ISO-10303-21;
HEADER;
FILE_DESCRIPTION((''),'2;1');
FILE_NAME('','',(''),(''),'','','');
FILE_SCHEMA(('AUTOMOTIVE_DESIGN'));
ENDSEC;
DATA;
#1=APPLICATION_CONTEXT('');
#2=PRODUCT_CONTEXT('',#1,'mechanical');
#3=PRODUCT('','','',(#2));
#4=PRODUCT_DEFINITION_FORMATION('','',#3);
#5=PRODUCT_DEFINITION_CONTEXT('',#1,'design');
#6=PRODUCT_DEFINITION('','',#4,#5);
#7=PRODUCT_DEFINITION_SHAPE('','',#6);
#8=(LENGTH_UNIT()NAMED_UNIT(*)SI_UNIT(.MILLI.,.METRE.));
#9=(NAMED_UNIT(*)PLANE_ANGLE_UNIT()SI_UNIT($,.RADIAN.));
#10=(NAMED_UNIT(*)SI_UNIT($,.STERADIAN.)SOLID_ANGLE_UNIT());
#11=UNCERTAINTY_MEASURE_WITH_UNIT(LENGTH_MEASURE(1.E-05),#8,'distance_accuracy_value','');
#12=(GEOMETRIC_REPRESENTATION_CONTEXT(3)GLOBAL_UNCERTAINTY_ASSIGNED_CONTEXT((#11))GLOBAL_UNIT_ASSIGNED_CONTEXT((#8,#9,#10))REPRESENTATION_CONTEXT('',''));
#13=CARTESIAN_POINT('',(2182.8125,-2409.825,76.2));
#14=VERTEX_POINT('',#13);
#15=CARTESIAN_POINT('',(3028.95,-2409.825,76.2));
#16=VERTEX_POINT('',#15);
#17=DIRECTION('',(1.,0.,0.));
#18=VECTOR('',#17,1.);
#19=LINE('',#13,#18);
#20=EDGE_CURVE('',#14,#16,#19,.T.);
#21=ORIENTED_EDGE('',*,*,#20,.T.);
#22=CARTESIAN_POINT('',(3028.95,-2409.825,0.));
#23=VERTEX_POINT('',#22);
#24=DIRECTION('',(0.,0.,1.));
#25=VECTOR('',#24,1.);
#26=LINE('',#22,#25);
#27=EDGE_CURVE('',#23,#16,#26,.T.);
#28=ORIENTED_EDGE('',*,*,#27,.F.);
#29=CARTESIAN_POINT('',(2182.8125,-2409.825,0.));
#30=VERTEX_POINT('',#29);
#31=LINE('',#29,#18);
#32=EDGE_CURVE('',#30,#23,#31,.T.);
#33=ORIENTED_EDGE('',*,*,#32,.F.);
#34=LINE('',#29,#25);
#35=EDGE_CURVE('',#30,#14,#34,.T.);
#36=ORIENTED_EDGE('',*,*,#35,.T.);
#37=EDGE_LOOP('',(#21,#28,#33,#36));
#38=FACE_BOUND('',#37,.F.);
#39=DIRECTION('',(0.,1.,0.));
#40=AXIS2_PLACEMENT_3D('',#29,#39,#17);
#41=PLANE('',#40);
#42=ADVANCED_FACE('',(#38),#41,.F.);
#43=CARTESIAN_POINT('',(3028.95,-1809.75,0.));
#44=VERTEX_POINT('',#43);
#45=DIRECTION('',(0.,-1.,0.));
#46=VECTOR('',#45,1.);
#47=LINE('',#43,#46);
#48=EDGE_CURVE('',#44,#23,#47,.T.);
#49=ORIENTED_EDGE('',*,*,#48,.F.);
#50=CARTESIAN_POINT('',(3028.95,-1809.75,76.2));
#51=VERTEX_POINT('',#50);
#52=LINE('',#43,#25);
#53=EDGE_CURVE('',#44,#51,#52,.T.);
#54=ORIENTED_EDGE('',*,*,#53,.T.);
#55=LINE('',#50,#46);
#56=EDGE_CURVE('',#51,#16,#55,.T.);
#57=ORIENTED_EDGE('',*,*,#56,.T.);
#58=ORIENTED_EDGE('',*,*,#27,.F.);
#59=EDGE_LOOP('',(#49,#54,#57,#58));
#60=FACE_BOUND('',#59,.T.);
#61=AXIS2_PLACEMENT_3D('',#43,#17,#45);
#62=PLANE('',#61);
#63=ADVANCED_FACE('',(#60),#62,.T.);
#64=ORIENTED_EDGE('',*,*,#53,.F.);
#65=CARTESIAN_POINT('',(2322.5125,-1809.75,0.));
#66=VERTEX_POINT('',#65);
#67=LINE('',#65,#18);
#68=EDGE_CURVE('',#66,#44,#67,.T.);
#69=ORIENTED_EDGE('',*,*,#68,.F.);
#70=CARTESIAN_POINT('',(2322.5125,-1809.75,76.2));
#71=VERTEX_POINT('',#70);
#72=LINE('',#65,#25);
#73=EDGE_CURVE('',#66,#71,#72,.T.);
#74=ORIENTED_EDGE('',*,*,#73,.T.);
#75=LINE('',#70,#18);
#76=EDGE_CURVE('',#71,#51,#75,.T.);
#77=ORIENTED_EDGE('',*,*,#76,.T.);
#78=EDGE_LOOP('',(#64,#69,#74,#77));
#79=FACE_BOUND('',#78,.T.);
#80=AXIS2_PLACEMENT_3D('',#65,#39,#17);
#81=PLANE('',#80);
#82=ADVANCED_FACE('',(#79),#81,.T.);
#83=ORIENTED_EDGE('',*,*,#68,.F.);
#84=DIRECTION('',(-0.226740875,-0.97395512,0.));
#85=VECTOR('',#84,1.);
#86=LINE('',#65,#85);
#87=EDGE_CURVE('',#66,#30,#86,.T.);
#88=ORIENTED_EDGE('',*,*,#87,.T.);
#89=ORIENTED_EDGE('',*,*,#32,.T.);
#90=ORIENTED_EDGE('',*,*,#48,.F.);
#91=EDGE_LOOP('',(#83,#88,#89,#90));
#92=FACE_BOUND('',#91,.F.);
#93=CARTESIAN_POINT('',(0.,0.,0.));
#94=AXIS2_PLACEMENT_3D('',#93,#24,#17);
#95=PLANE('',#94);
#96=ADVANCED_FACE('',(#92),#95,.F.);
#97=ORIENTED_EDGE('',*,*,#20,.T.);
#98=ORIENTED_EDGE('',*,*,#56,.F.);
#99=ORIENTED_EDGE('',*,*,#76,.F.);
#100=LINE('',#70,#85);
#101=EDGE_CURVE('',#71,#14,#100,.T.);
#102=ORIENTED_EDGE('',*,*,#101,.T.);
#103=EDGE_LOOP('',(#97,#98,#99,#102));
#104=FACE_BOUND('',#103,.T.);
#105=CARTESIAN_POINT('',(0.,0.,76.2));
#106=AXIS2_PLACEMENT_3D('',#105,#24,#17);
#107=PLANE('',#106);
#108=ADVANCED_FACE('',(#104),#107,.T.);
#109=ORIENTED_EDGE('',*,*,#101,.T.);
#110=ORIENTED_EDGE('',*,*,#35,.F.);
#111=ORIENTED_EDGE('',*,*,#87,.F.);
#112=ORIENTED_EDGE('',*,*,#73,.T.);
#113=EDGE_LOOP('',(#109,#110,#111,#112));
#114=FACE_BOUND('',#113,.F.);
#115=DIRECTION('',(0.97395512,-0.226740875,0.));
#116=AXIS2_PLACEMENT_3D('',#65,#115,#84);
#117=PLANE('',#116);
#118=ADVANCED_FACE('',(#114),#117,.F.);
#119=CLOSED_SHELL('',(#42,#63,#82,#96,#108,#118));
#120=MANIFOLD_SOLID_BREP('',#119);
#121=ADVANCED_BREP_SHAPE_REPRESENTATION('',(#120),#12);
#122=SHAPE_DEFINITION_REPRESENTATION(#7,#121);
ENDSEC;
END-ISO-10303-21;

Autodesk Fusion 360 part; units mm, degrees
sketch "Sketch1" plane through (0, 0, 0) normal (0, 0, 1) x (1, 0, 0)
  line L0 (0, 0) -> (0, -600.075)
  line L1 (0, -600.075) -> (744.5375, -600.075)
  line L2 (0, 0) -> (947.7375, 0)
  line L3 (947.7375, 0) -> (744.5375, -600.075)
  line L4 (1049.3375, -600.075) -> (2105.025, -600.075)
  line L5 (1049.3375, -600.075) -> (1252.5375, 0)
  line L6 (2105.025, -600.075) -> (1698.625, 0)
  line L7 (1252.5375, 0) -> (1698.625, 0)
  line L8 (2003.425, 0) -> (3025.775, 0)
  line L9 (2409.825, -600.075) -> (3025.775, -600.075)
  line L10 (3025.775, 0) -> (3025.775, -600.075)
  line L11 (2409.825, -600.075) -> (2003.425, 0)
  line L12 (0, -904.875) -> (0, -1504.95)
  line L13 (0, -1504.95) -> (376.2375, -1504.95)
  line L14 (376.2375, -1504.95) -> (528.6375, -904.875)
  line L15 (0, -904.875) -> (528.6375, -904.875)
  line L16 (579.4375, -1504.95) -> (1636.7125, -1504.95)
  line L17 (731.8375, -904.875) -> (1420.8125, -904.875)
  line L18 (579.4375, -1504.95) -> (731.8375, -904.875)
  line L19 (1420.8125, -904.875) -> (1636.7125, -1504.95)
  line L20 (1839.9125, -1504.95) -> (2160.5875, -1504.95)
  line L21 (1624.0125, -904.875) -> (2401.8875, -904.875)
  line L22 (1624.0125, -904.875) -> (1839.9125, -1504.95)
  line L23 (2160.5875, -1504.95) -> (2401.8875, -904.875)
  line L24 (2363.7875, -1504.95) -> (3019.425, -1504.95)
  line L25 (2605.0875, -904.875) -> (3019.425, -904.875)
  line L26 (3019.425, -904.875) -> (3019.425, -1504.95)
  line L27 (2605.0875, -904.875) -> (2363.7875, -1504.95)
  line L28 (0, -1809.75) -> (0, -2409.825)
  line L29 (0, -1809.75) -> (909.6375, -1809.75)
  line L30 (0, -2409.825) -> (795.3375, -2409.825)
  line L31 (795.3375, -2409.825) -> (909.6375, -1809.75)
  line L32 (1214.4375, -1809.75) -> (2017.7125, -1809.75)
  line L33 (1100.1375, -2409.825) -> (1878.0125, -2409.825)
  line L34 (1100.1375, -2409.825) -> (1214.4375, -1809.75)
  line L35 (1878.0125, -2409.825) -> (2017.7125, -1809.75)
  line L36 (2182.8125, -2409.825) -> (3028.95, -2409.825)
  line L37 (2322.5125, -1809.75) -> (3028.95, -1809.75)
  line L38 (2322.5125, -1809.75) -> (2182.8125, -2409.825)
  line L39 (3028.95, -1809.75) -> (3028.95, -2409.825)
  line L40 (0, -2714.625) -> (0, -3314.7)
  line L41 (0, -2714.625) -> (465.1375, -2714.625)
  line L42 (465.1375, -2714.625) -> (465.1375, -3314.7)
  line L43 (465.1375, -3314.7) -> (0, -3314.7)
  line L44 (668.3375, -3314.7) -> (1268.4125, -3314.7)
  line L45 (668.3375, -3314.7) -> (668.3375, -2714.625)
  line L46 (668.3375, -2714.625) -> (1458.9125, -2714.625)
  line L47 (1458.9125, -2714.625) -> (1268.4125, -3314.7)
  line L48 (1471.6125, -3314.7) -> (2236.7875, -3314.7)
  line L49 (1662.1125, -2714.625) -> (2528.8875, -2714.625)
  line L50 (1471.6125, -3314.7) -> (1662.1125, -2714.625)
  line L51 (2528.8875, -2714.625) -> (2236.7875, -3314.7)
  line L52 (2439.9875, -3314.7) -> (3019.425, -3314.7)
  line L53 (2732.0875, -2714.625) -> (3019.425, -2714.625)
  line L54 (2439.9875, -3314.7) -> (2732.0875, -2714.625)
  line L55 (3019.425, -2714.625) -> (3019.425, -3314.7)
  dimension "d1" = 600.075
  dimension "d2" = 744.5375
  dimension "d3" = 1055.6875
  dimension "d4" = 304.8
  dimension "d5" = 1022.35
  dimension "d6" = 615.95
  dimension "d7" = 0
  dimension "d8" = 304.8
  dimension "d9" = 376.2375
  dimension "d10" = 1057.275
  dimension "d11" = 203.2
  dimension "d12" = 688.975
  dimension "d13" = 320.675
  dimension "d14" = 777.875
  dimension "d15" = 203.2
  dimension "d16" = 655.6375
  dimension "d17" = 414.3375
  dimension "d18" = 203.2
  dimension "d19" = 0
  dimension "d20" = 0
  dimension "d21" = 909.6375
  dimension "d22" = 795.3375
  dimension "d23" = 803.275
  dimension "d24" = 777.875
  dimension "d25" = 304.8
  dimension "d26" = 846.1375
  dimension "d27" = 304.8
  dimension "d28" = 706.4375
  dimension "d29" = 304.8
  dimension "d30" = 947.7375
  dimension "d31" = 446.0875
  dimension "d32" = 528.6375
  dimension "d33" = 0
  dimension "d34" = 0
  dimension "d35" = 465.1375
  dimension "d36" = 600.075
  dimension "d37" = 203.2
  dimension "d38" = 790.575
  dimension "d39" = 765.175
  dimension "d40" = 203.2
  dimension "d41" = 866.775
  dimension "d42" = 579.4375
  dimension "d43" = 287.3375
  dimension "d44" = 203.2
extrude "Extrude1" add sketch "Sketch1" along normal blind 76.2 contours L36 L37 L38 L39
equation "d1 = 23 5/8\""
equation "d2 = 29 5/16\""
equation "d3 = 41 9/16\""
equation "d5 = 40 1/4\""
equation "d6 = 24 1/4\""
equation "d7 = d20"
equation "d9 = 14 13/16\""
equation "d12 = 27 1/8\""
equation "d13 = 12 5/8\""
equation "d14 = 30 5/8\""
equation "d16 = 25 13/16\""
equation "d17 = 16 5/16\""
equation "d19 = d20"
equation "d20 = d33"
equation "d21 = 35 13/16\""
equation "d22 = 31 5/16\""
equation "d23 = 31 5/8\""
equation "d24 = 30 5/8\""
equation "d26 = 33 5/16\""
equation "d28 = 27 13/16\""
equation "d30 = 37 5/16\""
equation "d31 = 17 9/16\""
equation "d32 = 20 13/16\""
equation "d33 = d33"
equation "d34 = d20"
equation "d35 = 18 5/16\""
equation "d36 = 23 5/8\""
equation "d38 = 31 1/8\""
equation "d41 = 34 1/8\""
